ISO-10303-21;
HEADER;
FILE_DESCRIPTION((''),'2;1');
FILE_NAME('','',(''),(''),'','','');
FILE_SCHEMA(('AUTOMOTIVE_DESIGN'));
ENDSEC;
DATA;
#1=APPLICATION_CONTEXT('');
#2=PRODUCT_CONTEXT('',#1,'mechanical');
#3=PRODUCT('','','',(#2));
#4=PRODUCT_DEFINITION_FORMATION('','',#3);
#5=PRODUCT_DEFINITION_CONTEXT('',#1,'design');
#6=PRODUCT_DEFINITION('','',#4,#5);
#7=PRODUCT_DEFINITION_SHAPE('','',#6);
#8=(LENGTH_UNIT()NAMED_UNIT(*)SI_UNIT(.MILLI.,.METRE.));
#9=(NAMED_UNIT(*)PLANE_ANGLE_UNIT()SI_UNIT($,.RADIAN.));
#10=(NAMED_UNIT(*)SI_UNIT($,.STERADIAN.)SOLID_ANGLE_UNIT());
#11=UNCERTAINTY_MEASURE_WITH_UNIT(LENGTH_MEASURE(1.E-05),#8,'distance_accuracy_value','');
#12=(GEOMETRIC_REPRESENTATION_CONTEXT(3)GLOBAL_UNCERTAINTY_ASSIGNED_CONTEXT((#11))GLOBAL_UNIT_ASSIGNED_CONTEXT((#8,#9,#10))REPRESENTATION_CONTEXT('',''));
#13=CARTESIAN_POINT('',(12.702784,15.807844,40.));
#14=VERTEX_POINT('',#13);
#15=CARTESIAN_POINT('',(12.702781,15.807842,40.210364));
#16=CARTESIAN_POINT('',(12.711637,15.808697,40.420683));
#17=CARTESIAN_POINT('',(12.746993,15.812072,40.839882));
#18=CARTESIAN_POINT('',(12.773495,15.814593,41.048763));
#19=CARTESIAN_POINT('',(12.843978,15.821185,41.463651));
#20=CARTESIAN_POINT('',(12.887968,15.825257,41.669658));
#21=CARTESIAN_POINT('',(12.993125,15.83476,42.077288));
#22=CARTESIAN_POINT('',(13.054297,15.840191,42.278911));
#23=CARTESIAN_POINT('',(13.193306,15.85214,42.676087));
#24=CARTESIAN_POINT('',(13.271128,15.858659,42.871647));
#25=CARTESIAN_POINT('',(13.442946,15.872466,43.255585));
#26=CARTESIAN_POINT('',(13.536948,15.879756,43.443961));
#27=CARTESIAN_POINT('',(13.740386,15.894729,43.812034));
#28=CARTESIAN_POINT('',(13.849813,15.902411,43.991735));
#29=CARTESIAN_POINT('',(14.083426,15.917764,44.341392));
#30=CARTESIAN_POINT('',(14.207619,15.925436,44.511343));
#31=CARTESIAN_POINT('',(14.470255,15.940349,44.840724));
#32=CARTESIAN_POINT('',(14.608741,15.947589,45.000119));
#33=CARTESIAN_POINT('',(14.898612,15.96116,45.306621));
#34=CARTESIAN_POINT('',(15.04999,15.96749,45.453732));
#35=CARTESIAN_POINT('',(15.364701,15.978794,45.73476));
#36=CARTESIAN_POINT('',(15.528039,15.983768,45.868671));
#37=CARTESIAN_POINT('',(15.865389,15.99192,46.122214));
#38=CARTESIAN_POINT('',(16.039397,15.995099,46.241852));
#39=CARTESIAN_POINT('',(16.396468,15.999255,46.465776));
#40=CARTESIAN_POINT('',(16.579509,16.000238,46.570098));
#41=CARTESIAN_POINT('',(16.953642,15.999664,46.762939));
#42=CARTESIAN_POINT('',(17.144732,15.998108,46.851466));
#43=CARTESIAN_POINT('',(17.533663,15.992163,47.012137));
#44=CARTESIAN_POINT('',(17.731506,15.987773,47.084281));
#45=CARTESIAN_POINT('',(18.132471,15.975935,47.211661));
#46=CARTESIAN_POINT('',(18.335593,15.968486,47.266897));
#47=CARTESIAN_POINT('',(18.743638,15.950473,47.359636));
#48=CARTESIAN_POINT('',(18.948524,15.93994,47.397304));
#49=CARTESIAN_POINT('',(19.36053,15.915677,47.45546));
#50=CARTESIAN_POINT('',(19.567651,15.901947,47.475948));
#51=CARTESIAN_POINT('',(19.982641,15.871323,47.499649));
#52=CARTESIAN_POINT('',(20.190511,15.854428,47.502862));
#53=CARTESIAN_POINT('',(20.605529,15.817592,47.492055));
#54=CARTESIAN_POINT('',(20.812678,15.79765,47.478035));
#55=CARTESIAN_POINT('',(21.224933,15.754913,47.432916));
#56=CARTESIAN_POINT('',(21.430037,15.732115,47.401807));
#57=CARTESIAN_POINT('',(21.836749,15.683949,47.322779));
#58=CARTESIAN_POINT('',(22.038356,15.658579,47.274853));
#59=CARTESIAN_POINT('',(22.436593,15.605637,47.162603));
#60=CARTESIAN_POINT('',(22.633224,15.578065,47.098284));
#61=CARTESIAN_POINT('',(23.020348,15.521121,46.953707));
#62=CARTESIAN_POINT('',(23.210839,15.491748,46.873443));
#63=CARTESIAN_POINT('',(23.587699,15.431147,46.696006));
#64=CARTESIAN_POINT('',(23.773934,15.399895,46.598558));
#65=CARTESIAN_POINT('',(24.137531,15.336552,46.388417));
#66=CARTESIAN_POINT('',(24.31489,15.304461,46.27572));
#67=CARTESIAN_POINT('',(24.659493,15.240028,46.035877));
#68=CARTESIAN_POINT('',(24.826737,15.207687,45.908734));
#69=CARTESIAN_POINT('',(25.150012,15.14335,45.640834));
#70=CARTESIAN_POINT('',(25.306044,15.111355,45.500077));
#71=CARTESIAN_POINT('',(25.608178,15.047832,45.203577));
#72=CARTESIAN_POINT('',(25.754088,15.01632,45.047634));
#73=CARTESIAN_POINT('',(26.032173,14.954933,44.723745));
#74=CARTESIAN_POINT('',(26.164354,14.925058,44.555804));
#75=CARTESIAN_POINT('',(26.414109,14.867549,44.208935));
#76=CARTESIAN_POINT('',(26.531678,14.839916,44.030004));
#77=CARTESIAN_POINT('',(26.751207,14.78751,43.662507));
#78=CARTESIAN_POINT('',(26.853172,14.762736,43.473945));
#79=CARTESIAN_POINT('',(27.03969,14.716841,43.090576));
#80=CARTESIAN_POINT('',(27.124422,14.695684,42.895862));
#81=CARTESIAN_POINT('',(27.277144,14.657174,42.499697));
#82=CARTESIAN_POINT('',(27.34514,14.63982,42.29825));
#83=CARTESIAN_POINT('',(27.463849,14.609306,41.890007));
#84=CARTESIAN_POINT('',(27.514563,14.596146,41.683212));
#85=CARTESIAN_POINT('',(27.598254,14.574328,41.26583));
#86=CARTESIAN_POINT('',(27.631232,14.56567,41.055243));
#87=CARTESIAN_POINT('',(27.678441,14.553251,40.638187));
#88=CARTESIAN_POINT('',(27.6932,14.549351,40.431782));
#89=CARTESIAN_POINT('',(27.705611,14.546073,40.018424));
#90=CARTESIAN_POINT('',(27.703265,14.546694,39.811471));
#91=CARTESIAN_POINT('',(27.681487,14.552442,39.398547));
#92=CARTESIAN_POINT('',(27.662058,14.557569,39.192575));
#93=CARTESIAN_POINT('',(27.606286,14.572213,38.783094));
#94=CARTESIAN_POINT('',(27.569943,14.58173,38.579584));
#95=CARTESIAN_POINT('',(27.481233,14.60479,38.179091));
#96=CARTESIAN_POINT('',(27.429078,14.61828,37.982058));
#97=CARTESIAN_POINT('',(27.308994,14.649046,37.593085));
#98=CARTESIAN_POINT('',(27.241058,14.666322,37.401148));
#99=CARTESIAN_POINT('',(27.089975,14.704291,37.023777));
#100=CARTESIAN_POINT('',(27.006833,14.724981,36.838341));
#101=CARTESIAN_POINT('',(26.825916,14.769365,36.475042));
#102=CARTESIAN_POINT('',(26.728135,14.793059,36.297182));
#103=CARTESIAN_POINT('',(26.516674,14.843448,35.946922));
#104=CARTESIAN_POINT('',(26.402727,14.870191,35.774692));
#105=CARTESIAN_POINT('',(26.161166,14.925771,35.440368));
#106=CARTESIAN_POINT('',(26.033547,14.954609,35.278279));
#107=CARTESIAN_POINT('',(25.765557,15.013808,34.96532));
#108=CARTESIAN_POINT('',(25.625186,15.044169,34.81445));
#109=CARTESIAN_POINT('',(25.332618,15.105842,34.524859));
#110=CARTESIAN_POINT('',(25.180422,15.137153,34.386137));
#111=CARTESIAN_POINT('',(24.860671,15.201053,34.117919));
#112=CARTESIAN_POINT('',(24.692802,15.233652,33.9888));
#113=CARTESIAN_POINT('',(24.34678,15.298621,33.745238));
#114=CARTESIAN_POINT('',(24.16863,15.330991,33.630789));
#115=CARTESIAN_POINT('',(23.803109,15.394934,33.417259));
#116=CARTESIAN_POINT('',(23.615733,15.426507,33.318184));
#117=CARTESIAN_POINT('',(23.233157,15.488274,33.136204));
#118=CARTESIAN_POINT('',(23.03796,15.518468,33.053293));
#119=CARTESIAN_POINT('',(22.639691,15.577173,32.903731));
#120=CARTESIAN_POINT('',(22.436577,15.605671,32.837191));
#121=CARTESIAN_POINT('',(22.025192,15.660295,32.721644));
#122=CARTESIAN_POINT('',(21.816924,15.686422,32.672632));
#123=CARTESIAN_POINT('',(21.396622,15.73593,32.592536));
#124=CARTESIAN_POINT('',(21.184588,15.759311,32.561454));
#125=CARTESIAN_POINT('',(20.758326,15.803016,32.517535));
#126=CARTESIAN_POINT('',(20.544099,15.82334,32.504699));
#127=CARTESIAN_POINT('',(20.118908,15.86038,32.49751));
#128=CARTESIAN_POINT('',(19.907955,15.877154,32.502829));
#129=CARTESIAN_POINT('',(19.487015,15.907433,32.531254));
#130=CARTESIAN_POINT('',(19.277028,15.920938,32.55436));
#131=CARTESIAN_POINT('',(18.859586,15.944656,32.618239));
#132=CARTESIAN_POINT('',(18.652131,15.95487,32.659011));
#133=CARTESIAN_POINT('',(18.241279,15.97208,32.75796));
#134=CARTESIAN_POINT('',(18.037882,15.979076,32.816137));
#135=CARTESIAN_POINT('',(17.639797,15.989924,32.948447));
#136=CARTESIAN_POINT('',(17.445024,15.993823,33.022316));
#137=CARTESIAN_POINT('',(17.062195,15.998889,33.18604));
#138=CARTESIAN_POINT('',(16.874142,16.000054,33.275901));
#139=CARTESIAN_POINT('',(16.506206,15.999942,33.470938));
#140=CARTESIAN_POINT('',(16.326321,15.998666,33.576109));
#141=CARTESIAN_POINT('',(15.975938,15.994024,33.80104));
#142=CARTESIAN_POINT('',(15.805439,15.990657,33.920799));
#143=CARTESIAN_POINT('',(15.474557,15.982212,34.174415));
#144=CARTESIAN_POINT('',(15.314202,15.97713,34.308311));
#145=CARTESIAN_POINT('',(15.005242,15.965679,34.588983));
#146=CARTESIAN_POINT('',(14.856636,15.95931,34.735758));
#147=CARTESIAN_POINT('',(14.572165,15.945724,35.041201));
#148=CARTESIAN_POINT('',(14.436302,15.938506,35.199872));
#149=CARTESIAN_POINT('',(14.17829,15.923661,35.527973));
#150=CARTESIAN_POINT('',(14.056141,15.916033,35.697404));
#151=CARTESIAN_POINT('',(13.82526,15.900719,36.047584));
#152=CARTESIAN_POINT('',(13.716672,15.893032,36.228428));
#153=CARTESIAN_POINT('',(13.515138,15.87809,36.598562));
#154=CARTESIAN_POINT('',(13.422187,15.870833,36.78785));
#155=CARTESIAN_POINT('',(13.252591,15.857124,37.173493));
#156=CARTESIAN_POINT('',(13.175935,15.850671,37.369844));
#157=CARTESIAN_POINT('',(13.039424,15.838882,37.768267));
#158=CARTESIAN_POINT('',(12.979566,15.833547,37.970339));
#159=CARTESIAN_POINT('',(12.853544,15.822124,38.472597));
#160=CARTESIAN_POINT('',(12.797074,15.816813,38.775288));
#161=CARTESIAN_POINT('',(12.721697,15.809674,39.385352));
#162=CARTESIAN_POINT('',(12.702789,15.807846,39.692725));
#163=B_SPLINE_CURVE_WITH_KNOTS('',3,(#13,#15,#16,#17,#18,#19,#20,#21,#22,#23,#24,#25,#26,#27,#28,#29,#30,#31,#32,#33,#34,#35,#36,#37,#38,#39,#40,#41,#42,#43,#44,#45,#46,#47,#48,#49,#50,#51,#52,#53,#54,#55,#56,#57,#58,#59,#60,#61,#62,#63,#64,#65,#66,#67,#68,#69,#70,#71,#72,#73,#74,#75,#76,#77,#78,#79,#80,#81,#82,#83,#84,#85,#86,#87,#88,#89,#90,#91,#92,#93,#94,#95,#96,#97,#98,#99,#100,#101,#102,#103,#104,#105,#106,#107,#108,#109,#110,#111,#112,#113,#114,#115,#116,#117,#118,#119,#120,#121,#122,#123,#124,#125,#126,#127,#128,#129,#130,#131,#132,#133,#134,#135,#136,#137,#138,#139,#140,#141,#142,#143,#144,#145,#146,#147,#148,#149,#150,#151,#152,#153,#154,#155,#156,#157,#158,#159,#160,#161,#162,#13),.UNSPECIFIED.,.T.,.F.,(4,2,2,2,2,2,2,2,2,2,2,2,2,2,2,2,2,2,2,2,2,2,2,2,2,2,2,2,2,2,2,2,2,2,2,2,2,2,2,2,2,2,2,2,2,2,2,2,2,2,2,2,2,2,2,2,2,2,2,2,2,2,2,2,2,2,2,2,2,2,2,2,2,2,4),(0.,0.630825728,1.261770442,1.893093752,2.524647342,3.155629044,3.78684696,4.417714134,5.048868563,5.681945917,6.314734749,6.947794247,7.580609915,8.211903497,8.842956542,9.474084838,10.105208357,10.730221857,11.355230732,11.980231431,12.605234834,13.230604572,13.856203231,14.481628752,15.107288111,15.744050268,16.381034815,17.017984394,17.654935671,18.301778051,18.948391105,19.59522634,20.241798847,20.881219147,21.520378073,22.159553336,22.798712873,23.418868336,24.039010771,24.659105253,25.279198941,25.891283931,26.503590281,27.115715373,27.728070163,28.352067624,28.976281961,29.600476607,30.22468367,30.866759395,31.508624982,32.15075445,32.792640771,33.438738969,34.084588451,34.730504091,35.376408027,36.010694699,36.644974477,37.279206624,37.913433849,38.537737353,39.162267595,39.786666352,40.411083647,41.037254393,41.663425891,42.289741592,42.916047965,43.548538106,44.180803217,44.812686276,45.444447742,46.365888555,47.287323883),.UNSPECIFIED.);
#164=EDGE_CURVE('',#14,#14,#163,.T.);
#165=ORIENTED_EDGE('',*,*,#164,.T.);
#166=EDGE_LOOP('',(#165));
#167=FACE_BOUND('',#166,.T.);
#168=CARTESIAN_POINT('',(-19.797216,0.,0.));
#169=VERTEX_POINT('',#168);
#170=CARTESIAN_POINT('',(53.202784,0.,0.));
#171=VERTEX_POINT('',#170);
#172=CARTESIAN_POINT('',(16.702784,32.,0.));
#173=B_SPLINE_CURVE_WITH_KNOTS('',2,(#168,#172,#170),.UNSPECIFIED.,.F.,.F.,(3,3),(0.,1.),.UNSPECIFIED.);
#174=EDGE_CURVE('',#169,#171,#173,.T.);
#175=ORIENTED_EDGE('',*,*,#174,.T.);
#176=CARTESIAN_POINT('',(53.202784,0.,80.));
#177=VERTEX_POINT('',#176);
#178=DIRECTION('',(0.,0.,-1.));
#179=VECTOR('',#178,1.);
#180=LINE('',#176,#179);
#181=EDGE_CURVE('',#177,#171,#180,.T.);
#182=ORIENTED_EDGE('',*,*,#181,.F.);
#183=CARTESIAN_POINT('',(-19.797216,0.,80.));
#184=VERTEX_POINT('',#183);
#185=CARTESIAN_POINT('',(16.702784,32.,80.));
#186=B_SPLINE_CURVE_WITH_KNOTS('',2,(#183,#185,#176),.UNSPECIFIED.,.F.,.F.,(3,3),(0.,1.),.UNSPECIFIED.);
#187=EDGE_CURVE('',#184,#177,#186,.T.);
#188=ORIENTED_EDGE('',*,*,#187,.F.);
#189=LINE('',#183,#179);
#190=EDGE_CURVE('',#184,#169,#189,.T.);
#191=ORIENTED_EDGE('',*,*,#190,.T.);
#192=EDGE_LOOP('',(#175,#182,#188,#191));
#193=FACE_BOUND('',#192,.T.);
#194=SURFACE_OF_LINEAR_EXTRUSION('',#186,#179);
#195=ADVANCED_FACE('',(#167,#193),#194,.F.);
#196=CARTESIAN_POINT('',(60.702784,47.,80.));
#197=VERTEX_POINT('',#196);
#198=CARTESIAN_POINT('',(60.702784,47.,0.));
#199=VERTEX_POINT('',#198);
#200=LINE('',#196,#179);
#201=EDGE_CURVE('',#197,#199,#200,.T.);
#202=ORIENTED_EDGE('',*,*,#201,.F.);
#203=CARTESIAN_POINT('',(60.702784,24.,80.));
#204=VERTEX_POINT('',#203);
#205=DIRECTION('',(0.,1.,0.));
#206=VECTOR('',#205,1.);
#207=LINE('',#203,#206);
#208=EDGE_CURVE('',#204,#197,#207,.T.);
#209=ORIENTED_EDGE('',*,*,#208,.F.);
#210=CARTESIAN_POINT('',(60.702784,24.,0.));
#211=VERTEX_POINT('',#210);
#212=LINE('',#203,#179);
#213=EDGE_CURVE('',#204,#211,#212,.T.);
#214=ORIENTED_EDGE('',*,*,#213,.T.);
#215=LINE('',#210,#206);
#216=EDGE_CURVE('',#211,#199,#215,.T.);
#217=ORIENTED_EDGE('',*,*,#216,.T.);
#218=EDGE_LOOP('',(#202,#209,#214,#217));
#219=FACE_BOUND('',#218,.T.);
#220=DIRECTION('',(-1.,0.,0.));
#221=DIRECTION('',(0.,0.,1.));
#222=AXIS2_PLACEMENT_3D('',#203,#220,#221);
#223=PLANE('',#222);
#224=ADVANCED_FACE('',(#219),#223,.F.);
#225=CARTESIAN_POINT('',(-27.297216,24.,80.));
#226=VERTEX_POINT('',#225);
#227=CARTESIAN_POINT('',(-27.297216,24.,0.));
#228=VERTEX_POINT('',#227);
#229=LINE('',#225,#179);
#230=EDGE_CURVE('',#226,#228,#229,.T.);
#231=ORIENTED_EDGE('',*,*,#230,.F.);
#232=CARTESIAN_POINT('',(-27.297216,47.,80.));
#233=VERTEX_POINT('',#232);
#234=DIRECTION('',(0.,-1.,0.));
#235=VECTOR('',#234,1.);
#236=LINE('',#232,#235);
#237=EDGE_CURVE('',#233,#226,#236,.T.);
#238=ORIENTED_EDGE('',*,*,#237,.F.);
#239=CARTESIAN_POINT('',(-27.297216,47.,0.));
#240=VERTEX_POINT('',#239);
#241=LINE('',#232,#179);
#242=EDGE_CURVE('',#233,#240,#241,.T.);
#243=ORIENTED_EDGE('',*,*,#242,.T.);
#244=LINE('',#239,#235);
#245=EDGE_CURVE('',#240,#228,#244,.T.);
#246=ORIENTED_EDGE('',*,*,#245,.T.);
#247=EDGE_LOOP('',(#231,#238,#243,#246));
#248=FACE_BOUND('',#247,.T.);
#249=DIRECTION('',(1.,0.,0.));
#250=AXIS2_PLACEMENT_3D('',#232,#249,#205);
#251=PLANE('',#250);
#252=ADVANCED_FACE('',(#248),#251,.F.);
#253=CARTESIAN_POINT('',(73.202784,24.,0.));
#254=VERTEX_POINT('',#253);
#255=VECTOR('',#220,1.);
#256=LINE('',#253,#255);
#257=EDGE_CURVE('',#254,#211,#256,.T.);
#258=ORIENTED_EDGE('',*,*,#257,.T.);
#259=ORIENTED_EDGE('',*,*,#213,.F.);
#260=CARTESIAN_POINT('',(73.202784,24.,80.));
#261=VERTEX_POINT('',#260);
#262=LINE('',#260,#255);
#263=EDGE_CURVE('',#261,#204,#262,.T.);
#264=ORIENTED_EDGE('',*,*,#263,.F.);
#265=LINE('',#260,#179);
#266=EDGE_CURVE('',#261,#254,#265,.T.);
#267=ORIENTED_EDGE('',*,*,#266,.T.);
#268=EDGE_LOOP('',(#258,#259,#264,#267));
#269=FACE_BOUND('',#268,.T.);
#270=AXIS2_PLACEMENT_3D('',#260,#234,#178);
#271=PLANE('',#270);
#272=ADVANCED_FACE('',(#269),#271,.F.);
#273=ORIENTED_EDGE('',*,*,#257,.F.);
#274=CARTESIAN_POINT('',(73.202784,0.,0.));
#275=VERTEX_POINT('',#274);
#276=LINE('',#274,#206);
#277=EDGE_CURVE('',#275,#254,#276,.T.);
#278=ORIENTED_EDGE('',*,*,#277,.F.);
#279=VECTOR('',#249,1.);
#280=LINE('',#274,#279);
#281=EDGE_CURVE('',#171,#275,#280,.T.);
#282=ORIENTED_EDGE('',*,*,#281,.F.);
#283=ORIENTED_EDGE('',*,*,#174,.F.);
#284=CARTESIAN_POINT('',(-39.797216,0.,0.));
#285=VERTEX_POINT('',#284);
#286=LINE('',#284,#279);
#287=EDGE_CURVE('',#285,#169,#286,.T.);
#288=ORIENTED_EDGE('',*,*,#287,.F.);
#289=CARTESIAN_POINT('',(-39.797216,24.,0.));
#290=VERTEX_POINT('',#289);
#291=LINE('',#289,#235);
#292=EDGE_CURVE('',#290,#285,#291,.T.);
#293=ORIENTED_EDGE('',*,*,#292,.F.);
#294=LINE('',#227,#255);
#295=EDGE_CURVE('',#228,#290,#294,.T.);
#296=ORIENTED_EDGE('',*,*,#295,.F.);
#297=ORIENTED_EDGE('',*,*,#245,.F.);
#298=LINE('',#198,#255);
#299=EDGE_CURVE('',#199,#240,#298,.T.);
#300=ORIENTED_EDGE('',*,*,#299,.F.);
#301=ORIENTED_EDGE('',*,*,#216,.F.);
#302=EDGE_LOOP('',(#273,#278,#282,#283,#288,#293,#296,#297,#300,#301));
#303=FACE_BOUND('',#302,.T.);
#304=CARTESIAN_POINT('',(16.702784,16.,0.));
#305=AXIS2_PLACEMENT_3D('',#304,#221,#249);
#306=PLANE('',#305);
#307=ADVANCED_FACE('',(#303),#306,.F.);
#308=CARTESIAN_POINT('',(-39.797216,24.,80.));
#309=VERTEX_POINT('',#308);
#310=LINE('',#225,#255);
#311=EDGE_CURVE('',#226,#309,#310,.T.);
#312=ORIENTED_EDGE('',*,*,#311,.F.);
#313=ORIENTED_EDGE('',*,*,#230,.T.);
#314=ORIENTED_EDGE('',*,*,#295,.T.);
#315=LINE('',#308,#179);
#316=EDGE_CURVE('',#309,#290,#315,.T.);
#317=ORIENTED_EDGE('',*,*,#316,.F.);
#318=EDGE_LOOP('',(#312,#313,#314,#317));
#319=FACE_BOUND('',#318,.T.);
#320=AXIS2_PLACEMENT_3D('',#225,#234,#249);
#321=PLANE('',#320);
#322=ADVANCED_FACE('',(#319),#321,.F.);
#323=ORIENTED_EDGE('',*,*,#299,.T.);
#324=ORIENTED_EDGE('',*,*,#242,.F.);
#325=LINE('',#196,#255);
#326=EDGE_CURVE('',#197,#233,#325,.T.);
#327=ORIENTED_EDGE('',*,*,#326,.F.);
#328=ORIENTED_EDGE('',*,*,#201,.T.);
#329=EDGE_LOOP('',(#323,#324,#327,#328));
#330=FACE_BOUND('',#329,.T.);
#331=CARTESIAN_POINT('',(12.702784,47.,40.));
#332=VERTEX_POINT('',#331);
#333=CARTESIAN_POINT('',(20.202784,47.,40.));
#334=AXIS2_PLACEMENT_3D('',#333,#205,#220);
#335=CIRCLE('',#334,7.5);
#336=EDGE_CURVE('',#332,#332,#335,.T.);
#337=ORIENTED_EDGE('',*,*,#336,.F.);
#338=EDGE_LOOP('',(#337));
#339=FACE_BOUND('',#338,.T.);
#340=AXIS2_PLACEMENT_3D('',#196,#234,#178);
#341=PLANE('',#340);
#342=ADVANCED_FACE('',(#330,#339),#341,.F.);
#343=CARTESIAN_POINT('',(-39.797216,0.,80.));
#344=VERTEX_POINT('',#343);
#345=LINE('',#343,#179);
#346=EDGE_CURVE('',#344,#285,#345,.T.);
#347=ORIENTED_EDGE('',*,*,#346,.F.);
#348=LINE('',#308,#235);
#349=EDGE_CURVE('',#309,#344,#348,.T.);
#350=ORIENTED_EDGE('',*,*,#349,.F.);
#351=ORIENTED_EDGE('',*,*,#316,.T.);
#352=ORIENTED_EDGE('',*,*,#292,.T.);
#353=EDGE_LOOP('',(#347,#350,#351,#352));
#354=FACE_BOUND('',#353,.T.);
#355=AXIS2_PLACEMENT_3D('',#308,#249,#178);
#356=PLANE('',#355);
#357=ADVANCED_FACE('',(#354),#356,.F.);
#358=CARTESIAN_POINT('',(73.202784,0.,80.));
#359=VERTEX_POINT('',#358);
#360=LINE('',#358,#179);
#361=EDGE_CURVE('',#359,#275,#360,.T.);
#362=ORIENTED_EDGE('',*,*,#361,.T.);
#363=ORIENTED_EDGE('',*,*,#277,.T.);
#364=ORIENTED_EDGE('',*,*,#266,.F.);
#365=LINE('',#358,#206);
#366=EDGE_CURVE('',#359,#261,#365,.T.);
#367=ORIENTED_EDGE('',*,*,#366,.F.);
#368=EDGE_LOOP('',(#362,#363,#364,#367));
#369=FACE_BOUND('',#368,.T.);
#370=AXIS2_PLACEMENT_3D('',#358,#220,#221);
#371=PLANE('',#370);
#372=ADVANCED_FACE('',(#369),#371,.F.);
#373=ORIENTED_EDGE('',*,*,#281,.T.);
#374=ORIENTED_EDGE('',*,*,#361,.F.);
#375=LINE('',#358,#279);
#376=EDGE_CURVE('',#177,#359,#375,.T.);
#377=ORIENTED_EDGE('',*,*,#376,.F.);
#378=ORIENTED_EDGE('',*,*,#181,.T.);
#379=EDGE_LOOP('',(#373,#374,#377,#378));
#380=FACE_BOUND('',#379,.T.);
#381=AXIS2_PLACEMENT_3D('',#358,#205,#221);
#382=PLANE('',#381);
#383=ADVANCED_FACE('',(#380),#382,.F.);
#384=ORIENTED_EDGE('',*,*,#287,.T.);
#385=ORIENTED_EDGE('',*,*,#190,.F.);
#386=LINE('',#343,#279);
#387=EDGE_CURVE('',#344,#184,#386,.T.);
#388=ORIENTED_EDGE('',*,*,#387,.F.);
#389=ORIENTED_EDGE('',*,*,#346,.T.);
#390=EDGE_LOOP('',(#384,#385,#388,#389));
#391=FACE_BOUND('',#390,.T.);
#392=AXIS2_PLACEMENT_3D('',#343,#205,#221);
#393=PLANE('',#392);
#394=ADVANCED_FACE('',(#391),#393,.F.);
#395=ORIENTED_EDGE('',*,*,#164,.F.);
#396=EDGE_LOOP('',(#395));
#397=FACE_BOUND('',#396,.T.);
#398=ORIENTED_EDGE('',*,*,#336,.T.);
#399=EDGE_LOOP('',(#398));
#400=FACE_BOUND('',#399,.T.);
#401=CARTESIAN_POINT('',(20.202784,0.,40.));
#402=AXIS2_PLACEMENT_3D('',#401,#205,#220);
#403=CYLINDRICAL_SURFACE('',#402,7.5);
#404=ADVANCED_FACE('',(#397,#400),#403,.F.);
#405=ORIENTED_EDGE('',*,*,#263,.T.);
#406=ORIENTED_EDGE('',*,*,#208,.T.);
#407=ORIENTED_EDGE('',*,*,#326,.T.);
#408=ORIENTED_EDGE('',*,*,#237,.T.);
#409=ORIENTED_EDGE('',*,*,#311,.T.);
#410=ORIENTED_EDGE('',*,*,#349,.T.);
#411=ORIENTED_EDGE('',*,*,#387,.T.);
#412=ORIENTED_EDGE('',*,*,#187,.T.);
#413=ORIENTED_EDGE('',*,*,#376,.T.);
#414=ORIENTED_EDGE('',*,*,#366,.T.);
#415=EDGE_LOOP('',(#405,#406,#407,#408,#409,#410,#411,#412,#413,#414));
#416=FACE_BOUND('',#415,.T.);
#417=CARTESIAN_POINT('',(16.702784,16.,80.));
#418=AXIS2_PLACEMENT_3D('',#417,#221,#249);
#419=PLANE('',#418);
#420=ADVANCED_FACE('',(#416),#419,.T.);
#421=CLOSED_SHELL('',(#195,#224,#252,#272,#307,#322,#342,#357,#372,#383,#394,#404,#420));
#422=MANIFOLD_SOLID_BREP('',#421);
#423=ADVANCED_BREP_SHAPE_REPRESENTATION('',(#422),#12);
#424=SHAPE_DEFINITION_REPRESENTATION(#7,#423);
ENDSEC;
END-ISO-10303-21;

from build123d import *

# Parameters (mm, degrees)
EXTRUDE_1_DEPTH     = 80
SKETCH_4_R          = 7.5
CUT_EXTRUDE_1_DEPTH = 119.184803146


with BuildPart() as part:
    # 草图3 → 凸台-拉伸1 (new body)
    with BuildSketch(Plane.XY):
        with BuildLine():
            Line((60.702784473, 47), (-27.297215527, 47))
            Line((-27.297215527, 47), (-27.297215527, 24))
            Line((-27.297215527, 24), (-39.797215527, 24))
            Line((-39.797215527, 24), (-39.797215527, 0))
            Line((-39.797215527, 0), (-19.797215527, 0))
            add(Edge.make_bspline(
                [(-19.797215527, 0), (16.702784473, 32), (53.202784473, 0)],
                knots=[0, 0, 0, 1, 1, 1], degree=2))
            Line((53.202784473, 0), (73.202784473, 0))
            Line((73.202784473, 0), (73.202784473, 24))
            Line((73.202784473, 24), (60.702784473, 24))
            Line((60.702784473, 24), (60.702784473, 47))
        make_face()
    extrude(amount=EXTRUDE_1_DEPTH)

    # 草图4 → 切除-拉伸1 (cut, through all)
    with BuildSketch(Plane(origin=(0, 47, 0), x_dir=(1, 0, 0), z_dir=(0, 1, 0))):
        with Locations(Location((20.202784473, -40, 0), (0, 0, 180))):
            Circle(SKETCH_4_R)
    extrude(amount=-CUT_EXTRUDE_1_DEPTH, mode=Mode.SUBTRACT)


solid = part.part
